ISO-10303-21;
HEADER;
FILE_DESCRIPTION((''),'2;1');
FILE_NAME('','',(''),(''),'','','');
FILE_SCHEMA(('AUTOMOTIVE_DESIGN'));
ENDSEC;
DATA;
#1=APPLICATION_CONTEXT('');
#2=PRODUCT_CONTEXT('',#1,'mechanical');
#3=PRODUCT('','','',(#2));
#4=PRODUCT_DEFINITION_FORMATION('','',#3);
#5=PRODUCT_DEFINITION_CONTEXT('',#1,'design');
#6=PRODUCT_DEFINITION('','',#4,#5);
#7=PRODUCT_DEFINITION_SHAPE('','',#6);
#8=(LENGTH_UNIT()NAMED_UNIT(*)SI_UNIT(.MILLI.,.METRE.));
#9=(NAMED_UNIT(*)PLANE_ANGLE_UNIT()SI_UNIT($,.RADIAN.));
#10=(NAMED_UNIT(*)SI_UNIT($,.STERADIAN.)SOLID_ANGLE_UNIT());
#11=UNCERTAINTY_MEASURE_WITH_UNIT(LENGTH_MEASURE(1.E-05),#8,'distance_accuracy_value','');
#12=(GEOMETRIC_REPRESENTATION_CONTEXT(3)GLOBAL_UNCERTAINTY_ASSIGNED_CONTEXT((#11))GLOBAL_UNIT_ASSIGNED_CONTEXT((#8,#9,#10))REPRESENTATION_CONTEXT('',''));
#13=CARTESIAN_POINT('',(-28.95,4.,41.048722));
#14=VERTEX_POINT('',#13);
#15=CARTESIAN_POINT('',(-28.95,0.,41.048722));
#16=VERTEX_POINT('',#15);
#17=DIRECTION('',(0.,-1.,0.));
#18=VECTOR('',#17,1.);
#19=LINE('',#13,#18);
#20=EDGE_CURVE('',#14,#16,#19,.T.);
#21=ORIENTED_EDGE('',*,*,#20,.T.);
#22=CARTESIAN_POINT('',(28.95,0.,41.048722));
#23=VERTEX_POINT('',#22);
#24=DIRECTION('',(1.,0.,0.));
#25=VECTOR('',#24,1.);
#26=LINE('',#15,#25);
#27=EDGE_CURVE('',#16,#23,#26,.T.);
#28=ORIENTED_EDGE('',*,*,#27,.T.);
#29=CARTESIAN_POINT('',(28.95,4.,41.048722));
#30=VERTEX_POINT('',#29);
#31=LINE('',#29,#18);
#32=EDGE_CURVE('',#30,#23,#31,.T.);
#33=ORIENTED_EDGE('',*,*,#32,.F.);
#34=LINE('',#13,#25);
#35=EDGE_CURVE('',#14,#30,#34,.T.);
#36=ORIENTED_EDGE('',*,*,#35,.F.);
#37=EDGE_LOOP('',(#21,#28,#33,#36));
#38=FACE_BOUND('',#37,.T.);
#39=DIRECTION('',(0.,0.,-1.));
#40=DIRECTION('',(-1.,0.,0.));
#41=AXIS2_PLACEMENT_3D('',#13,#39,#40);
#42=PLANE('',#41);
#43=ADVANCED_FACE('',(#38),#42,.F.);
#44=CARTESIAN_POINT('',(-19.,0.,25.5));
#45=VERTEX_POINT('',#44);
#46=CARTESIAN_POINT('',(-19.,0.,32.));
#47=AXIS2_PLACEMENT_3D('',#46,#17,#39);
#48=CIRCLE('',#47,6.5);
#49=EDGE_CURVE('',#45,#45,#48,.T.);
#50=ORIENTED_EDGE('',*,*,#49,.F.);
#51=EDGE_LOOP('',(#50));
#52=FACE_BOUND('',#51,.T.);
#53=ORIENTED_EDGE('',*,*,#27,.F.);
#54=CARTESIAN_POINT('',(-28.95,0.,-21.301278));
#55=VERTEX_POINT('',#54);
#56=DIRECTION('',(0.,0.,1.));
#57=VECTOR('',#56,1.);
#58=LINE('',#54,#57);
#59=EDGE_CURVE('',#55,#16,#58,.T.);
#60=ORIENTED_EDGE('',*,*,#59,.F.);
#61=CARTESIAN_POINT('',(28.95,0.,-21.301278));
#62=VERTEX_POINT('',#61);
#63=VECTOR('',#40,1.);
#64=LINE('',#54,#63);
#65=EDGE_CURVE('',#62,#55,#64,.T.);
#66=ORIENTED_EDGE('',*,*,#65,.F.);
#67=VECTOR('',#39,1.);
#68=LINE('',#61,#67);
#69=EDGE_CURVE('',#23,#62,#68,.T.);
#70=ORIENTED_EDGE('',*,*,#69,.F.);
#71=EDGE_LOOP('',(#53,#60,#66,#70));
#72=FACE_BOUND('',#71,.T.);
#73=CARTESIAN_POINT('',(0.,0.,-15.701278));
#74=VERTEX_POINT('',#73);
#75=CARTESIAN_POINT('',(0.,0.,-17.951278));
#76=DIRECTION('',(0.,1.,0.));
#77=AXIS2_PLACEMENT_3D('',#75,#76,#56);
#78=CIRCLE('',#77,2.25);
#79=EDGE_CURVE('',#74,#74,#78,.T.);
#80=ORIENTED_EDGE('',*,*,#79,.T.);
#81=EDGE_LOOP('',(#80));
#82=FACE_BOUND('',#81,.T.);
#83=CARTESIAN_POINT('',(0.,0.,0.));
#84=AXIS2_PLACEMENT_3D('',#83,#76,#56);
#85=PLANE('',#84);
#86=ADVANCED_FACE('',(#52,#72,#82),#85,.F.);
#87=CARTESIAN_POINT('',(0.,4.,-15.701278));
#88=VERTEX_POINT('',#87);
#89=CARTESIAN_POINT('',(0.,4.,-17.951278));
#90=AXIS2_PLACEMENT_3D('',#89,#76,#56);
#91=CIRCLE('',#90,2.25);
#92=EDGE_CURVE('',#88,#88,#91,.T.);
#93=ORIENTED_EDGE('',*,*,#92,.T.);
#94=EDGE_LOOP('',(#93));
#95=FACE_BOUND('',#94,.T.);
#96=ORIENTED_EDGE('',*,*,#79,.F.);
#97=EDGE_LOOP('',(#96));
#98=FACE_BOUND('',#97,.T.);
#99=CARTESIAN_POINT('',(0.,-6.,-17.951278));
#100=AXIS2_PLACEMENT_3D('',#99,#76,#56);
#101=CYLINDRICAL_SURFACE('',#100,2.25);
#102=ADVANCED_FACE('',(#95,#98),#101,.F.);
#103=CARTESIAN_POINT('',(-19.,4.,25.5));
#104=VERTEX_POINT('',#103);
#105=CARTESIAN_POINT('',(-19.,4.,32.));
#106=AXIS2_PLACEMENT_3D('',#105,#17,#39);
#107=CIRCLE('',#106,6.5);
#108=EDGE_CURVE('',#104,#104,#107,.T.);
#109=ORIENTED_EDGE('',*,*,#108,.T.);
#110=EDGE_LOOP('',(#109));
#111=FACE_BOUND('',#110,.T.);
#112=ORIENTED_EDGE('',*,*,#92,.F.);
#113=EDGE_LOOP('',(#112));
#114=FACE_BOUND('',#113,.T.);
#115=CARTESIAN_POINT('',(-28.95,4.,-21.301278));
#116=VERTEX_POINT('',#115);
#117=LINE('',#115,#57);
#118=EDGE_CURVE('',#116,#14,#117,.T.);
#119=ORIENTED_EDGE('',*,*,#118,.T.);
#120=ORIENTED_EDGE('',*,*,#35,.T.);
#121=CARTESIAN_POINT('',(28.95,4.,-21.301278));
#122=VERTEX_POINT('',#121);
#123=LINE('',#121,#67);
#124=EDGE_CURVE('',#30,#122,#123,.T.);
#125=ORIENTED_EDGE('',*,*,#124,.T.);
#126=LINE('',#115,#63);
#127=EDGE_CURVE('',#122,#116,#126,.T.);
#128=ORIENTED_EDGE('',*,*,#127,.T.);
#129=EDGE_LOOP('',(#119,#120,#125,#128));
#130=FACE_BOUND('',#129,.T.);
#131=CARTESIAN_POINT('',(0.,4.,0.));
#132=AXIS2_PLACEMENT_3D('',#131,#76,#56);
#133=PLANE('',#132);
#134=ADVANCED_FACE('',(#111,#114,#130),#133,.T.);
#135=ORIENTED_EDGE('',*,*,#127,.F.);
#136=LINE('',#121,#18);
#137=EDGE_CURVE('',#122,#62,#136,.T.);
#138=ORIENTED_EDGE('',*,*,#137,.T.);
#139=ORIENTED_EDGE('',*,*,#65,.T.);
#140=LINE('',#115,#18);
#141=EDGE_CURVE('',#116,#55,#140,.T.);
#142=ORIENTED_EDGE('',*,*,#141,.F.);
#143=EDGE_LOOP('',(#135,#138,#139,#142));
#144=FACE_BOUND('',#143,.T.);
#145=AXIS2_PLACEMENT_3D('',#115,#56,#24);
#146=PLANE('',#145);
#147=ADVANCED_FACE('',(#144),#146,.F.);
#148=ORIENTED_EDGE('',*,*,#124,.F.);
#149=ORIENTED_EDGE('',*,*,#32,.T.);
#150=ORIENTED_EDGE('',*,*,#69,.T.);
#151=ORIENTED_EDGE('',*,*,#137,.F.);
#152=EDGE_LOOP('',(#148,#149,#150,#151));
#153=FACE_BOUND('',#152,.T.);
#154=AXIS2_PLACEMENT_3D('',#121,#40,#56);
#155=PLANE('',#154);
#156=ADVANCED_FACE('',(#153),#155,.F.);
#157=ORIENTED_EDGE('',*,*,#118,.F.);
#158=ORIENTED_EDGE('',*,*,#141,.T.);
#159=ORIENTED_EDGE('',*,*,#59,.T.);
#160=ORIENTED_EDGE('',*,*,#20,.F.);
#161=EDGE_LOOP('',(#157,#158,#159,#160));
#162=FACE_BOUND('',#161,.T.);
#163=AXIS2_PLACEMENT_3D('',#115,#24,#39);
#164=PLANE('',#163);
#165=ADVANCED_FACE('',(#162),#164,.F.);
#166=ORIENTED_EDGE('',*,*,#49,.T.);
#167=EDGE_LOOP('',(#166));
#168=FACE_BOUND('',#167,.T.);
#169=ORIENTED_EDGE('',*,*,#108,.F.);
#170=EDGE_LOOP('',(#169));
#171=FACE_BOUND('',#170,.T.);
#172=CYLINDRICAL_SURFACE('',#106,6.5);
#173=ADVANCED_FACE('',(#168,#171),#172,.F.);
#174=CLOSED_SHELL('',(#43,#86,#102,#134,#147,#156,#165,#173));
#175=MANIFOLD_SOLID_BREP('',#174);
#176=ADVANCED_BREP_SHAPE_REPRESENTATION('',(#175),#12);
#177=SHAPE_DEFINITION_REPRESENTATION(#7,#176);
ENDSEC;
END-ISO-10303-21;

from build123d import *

# Parameters (mm, degrees)
ESQUISSE2_W             = 57.9
ESQUISSE2_H             = 62.35
BOSS_EXTRU_1_DEPTH      = 4
ESQUISSE3_R             = 6.5
ENL_V_MAT_EXTRU_1_DEPTH = 51.389483469
ESQUISSE4_R             = 2.25
ENL_V_MAT_EXTRU_2_DEPTH = 10


with BuildPart() as part:
    # Esquisse2 → Boss.-Extru.1 (new body)
    with BuildSketch(Plane(origin=(0, 0, 0), x_dir=(1, 0, 0), z_dir=(0, 1, 0))):
        with Locations((0, -9.873721591)):
            Rectangle(ESQUISSE2_W, ESQUISSE2_H)
    extrude(amount=BOSS_EXTRU_1_DEPTH)

    # Esquisse3 → Enlèv. mat.-Extru.1 (cut, through all)
    with BuildSketch(Plane.XZ):
        with Locations(Location((-19, 32, 0), (0, 0, 270))):
            Circle(ESQUISSE3_R)
    extrude(amount=-ENL_V_MAT_EXTRU_1_DEPTH, mode=Mode.SUBTRACT)

    # Esquisse4 → Enlèv. mat.-Extru.2 (cut)
    with BuildSketch(Plane(origin=(0, 4, 0), x_dir=(1, 0, 0), z_dir=(0, 1, 0))):
        with Locations(Location((0, 17.951278409, 0), (0, 0, 270))):
            Circle(ESQUISSE4_R)
    extrude(amount=-ENL_V_MAT_EXTRU_2_DEPTH, mode=Mode.SUBTRACT)


solid = part.part
